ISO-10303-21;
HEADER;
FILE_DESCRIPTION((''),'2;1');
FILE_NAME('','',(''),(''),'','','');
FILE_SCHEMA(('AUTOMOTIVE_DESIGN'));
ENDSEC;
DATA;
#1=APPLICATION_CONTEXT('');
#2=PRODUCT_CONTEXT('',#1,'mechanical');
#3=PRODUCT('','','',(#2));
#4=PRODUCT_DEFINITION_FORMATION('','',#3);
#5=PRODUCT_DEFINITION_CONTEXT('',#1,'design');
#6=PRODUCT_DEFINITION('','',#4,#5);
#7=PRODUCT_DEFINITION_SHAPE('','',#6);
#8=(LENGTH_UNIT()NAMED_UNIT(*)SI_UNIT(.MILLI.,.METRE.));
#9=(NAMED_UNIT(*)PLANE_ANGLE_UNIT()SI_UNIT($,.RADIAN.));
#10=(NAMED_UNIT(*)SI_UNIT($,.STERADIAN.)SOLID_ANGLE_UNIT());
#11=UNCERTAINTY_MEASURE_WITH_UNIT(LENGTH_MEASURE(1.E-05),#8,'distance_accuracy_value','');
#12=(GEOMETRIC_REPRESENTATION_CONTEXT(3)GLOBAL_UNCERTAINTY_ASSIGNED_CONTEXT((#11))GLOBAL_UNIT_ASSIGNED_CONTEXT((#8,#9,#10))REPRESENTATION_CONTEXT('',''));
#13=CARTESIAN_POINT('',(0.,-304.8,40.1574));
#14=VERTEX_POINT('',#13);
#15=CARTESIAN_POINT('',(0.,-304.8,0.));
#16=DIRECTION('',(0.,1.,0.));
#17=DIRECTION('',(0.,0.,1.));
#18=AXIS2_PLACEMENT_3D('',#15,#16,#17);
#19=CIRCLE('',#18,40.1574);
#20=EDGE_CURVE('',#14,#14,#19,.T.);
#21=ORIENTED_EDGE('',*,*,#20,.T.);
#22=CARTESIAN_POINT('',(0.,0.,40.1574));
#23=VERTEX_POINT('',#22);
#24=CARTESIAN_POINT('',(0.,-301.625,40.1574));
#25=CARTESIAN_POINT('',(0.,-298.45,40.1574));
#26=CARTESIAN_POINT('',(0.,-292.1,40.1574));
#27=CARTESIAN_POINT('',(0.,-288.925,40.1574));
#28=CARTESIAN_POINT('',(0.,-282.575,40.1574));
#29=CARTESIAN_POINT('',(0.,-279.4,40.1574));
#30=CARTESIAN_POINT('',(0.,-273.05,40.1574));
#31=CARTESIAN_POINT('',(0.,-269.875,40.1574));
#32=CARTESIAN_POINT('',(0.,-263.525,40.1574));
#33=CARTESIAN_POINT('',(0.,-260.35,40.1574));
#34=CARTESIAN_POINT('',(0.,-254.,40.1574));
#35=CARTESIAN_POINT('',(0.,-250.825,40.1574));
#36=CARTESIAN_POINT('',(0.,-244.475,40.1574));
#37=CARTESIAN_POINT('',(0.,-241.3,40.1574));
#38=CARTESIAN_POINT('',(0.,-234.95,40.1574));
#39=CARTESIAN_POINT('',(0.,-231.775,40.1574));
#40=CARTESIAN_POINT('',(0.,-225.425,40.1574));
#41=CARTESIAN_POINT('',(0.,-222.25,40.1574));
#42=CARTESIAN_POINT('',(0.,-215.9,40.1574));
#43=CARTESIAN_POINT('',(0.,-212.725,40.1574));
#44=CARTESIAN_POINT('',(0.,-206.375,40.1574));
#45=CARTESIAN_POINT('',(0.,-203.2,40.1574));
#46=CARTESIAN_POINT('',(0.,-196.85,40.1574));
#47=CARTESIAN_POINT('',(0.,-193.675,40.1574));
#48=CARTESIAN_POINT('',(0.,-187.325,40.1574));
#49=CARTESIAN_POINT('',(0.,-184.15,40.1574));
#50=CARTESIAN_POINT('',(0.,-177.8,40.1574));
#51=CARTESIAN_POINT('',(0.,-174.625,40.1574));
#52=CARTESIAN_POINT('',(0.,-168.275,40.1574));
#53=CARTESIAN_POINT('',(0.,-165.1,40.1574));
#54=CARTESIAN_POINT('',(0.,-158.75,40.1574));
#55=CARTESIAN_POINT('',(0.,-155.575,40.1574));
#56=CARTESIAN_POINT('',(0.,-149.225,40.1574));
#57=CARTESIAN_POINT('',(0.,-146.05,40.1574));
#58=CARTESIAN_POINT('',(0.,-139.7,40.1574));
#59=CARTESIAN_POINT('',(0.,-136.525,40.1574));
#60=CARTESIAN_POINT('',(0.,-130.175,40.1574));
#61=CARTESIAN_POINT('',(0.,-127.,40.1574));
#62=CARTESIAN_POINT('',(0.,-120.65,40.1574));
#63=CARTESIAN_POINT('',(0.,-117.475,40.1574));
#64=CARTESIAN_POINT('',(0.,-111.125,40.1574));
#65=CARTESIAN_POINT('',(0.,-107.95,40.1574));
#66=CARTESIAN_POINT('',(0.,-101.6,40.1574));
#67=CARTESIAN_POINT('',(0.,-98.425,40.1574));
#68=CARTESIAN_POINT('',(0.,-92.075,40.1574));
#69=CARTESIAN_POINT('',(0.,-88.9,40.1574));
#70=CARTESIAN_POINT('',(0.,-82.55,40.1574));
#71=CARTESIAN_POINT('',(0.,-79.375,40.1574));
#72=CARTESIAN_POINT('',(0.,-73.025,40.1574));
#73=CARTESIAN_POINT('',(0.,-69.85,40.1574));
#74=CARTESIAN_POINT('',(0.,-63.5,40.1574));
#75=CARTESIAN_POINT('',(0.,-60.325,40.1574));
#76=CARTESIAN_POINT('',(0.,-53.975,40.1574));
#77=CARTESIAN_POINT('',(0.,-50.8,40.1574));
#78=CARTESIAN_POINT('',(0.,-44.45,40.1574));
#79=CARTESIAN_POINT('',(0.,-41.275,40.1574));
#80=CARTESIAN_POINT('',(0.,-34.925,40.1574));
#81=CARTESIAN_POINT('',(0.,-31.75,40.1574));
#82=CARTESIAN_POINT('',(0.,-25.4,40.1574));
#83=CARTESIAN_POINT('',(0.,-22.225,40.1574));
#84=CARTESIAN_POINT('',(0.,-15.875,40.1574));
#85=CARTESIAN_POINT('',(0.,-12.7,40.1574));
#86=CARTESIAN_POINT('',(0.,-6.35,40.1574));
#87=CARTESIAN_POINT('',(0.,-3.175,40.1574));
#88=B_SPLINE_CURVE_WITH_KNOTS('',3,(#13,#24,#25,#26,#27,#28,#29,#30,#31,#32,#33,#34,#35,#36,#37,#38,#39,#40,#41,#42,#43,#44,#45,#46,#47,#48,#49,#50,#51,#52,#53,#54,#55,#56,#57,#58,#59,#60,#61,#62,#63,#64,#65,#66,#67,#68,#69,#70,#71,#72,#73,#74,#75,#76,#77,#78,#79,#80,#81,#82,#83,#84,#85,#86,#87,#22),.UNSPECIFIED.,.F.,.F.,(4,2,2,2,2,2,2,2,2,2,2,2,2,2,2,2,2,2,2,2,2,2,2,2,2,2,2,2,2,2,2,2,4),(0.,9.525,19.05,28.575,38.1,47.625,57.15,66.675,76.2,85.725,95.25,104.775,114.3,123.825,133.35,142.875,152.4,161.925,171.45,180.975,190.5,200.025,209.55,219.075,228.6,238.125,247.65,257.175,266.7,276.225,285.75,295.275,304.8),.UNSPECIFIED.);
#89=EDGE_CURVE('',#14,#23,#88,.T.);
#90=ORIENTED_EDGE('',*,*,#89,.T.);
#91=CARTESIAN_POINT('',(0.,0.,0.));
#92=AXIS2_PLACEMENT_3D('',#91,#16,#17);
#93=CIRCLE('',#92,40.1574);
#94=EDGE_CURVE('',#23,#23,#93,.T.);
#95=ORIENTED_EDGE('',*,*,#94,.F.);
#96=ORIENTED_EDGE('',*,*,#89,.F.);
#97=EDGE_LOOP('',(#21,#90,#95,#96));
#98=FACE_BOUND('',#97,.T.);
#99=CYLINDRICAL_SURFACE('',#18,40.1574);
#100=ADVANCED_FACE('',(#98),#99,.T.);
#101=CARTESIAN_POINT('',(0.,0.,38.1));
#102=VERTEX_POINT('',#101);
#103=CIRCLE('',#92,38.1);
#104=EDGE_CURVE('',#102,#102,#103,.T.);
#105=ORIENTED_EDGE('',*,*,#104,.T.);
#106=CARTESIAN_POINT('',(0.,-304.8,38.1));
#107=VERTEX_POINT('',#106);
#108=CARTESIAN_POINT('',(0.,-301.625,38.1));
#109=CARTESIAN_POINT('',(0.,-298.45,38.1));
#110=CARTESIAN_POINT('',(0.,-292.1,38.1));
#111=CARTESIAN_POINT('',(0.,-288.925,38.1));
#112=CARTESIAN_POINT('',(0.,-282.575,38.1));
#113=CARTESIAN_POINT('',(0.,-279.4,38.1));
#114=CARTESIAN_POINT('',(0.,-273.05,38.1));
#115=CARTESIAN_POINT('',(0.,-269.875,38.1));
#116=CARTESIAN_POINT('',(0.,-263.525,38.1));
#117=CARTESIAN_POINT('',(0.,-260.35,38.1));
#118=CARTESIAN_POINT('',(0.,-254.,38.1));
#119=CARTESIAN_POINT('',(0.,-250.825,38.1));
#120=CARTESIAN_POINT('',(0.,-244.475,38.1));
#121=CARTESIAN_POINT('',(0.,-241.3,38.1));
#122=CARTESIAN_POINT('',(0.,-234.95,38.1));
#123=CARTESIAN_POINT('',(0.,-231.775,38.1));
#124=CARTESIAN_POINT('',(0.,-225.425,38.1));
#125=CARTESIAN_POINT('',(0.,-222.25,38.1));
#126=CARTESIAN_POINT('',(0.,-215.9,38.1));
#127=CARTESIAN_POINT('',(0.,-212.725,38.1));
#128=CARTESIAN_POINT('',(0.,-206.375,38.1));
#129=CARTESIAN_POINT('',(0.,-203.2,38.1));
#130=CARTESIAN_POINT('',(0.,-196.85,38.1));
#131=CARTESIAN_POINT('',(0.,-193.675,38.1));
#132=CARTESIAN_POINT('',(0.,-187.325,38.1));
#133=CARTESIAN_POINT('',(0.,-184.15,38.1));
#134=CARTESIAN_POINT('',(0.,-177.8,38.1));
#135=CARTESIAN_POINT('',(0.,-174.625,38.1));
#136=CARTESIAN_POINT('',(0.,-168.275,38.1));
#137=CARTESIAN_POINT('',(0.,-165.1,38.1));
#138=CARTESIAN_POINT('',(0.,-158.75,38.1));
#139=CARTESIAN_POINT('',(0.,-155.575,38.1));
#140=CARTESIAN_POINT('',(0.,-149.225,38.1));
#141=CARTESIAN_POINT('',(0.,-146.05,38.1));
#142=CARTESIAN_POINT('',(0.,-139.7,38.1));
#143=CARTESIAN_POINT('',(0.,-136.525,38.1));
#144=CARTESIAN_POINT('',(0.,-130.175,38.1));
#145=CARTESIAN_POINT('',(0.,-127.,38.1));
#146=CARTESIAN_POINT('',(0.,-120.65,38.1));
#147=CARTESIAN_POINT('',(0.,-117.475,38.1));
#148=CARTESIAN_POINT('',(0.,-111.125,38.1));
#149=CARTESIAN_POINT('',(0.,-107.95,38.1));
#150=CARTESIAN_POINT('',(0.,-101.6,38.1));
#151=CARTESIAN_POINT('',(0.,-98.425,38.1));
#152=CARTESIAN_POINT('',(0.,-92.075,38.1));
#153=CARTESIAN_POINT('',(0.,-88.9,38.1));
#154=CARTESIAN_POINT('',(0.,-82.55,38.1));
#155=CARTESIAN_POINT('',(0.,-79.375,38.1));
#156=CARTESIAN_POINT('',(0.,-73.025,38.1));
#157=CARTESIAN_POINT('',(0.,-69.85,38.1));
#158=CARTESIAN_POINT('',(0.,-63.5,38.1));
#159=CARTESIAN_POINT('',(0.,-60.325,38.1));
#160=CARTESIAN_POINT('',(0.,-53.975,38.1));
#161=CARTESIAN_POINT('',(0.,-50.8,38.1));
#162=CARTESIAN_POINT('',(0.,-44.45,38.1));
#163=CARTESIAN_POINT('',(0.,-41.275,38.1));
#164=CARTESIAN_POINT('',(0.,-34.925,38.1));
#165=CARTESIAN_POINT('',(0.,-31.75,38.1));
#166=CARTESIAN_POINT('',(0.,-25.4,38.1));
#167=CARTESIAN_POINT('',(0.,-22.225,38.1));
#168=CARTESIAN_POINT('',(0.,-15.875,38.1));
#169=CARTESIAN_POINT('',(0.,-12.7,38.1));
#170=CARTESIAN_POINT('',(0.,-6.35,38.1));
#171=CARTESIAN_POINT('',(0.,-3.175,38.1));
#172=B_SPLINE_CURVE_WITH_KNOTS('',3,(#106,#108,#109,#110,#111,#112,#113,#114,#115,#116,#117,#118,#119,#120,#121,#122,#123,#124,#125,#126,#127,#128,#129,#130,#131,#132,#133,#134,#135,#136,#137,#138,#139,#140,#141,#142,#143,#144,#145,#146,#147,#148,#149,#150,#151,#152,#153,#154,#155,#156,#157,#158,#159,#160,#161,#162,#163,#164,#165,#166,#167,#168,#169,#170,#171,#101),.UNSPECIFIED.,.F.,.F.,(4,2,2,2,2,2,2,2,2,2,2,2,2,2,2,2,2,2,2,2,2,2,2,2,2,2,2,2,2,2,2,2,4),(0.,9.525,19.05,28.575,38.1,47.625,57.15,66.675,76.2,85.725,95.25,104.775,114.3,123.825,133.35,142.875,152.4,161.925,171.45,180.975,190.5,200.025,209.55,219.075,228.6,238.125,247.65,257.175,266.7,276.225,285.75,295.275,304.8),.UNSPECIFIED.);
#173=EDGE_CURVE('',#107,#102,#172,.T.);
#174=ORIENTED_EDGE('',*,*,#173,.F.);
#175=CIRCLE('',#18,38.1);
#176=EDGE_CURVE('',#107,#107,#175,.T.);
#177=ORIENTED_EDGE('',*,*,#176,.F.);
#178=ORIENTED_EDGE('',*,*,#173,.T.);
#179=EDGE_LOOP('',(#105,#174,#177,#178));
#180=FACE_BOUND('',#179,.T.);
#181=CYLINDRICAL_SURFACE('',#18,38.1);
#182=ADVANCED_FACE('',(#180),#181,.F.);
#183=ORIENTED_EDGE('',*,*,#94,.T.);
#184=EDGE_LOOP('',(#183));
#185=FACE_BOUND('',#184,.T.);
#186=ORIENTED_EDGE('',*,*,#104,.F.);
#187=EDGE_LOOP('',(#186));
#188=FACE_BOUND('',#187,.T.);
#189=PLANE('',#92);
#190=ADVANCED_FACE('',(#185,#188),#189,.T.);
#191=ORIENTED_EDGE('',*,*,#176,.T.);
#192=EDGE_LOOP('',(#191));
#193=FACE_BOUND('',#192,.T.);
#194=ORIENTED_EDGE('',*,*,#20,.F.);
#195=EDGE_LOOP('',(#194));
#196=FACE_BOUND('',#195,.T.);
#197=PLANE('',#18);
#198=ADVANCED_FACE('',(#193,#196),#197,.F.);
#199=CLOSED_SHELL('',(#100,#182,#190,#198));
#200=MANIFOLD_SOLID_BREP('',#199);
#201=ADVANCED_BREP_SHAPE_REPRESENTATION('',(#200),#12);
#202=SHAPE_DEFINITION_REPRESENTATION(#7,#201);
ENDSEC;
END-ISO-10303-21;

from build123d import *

# Parameters (mm, degrees)
SKETCH1_R           = 40.1574
SKETCH1_R_2         = 38.1
BOSS_EXTRUDE1_DEPTH = 304.8


with BuildPart() as part:
    # Sketch1 → Boss-Extrude1 (new body)
    with BuildSketch(Plane(origin=(0, 0, 0), x_dir=(1, 0, 0), z_dir=(0, 1, 0))):
        with Locations(Location((0, 0, 0), (0, 0, 270))):
            Circle(SKETCH1_R)
        with Locations(Location((0, 0, 0), (0, 0, 270))):
            Circle(SKETCH1_R_2, mode=Mode.SUBTRACT)
    extrude(amount=-BOSS_EXTRUDE1_DEPTH)


solid = part.part
